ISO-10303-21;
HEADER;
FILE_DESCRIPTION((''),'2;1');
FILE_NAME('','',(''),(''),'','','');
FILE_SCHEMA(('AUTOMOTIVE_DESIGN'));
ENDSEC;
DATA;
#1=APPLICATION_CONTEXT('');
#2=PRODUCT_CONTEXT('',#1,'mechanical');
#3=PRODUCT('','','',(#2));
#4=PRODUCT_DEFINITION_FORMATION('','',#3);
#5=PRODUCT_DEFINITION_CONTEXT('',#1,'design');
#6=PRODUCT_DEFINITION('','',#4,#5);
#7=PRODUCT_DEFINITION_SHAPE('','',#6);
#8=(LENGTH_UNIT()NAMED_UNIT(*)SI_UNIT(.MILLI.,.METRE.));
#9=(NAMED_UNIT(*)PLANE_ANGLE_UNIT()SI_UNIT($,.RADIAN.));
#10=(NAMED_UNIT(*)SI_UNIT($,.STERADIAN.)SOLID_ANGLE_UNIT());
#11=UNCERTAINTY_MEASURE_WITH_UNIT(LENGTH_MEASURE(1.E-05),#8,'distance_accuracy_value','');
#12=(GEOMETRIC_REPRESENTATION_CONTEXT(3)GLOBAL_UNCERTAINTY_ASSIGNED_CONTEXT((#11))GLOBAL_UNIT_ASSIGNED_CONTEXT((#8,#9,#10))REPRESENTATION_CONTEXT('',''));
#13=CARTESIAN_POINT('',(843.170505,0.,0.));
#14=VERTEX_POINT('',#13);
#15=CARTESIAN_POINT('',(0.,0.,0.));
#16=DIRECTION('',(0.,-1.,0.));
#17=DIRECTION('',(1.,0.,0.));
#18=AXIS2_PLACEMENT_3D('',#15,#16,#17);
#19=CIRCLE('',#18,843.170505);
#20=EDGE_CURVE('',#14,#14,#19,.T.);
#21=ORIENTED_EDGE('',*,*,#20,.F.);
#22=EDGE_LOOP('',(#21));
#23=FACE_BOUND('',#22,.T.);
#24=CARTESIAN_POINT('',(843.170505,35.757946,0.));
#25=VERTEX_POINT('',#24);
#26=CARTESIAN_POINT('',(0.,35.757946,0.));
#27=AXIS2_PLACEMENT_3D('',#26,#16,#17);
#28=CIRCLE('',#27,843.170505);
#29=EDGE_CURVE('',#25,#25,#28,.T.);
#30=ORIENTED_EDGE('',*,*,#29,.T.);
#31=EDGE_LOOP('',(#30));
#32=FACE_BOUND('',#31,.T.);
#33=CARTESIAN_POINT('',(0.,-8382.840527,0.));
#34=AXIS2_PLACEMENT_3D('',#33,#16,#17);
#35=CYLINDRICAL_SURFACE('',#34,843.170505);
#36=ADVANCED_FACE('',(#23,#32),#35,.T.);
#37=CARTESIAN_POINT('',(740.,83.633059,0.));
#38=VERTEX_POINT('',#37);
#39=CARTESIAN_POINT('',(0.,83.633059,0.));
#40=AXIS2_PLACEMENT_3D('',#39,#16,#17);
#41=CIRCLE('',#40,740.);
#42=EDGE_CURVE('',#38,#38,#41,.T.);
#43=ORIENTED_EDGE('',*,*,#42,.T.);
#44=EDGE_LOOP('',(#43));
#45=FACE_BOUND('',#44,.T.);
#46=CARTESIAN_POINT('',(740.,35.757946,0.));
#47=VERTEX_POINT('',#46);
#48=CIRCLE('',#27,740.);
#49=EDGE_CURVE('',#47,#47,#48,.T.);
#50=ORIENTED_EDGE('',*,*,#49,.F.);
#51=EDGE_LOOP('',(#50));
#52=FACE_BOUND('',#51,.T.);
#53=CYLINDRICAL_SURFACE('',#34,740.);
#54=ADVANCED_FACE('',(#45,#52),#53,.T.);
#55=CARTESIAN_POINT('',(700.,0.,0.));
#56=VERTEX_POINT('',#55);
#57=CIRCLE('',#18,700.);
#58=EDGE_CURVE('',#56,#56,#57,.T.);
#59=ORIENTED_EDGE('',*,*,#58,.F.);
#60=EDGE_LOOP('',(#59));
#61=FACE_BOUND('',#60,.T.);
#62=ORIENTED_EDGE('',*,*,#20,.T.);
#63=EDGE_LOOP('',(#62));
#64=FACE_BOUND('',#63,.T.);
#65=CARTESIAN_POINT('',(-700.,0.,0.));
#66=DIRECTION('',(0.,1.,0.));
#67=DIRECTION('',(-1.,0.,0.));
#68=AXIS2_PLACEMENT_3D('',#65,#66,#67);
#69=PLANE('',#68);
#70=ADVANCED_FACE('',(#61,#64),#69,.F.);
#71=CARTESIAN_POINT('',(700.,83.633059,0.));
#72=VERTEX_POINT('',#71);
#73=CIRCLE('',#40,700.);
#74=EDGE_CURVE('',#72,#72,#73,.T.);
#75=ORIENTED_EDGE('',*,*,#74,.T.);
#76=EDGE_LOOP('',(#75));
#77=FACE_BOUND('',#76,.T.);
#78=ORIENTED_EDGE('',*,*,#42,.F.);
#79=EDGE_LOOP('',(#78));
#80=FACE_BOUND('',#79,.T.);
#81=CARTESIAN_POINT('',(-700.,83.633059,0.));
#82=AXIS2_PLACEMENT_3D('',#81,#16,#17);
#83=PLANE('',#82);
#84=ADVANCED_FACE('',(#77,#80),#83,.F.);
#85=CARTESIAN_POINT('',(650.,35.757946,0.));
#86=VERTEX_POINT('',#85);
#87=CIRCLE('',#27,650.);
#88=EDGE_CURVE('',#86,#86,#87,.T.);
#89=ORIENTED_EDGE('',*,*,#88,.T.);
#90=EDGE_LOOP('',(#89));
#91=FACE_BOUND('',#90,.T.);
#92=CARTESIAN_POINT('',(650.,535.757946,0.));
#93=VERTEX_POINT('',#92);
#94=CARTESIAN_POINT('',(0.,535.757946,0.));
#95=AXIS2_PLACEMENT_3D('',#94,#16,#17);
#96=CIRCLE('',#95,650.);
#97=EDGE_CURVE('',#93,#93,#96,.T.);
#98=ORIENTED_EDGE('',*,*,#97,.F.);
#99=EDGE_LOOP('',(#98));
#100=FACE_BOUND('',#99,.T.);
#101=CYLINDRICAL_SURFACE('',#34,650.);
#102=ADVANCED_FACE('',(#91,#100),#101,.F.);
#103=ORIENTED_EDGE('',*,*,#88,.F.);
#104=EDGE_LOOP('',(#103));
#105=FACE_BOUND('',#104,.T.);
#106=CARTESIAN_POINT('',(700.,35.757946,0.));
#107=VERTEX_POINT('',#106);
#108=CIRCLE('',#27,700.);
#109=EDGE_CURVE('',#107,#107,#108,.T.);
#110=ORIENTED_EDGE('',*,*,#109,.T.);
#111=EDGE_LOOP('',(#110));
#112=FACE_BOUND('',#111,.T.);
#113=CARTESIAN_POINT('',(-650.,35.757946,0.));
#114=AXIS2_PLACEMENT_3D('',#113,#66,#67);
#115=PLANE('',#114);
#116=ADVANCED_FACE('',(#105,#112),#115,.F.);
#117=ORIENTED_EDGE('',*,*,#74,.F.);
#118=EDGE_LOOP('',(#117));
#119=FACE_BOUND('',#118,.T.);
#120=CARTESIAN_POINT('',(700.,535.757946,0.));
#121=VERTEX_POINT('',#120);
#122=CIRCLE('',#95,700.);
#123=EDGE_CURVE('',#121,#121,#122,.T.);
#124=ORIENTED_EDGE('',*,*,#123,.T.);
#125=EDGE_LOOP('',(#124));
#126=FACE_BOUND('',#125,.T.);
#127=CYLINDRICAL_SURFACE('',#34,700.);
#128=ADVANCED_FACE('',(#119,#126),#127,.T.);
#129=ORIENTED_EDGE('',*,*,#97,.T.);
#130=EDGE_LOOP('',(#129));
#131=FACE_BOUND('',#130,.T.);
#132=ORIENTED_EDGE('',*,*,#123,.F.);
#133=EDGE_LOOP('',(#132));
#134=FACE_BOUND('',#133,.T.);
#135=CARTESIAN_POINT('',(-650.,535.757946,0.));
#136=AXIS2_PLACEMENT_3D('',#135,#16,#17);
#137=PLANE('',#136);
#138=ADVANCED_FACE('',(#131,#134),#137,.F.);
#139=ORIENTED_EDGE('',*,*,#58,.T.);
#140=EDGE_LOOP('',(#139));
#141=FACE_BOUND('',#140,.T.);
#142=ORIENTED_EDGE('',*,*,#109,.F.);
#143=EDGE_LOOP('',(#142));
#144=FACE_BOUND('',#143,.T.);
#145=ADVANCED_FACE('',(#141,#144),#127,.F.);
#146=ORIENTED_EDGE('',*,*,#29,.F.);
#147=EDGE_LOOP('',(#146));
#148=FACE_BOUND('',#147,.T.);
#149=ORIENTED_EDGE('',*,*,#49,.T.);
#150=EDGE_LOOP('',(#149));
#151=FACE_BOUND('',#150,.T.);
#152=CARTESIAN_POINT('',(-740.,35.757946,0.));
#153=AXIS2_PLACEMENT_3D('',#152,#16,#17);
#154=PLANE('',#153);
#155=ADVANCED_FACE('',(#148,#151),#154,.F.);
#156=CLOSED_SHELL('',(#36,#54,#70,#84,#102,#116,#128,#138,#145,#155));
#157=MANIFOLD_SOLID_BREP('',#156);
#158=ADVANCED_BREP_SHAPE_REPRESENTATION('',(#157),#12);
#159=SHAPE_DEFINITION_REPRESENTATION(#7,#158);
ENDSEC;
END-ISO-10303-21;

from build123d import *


with BuildPart() as part:
    # Sketch1 → Revolve1 (revolve)
    with BuildSketch(Plane.XY, mode=Mode.PRIVATE) as revolve1_sk:
        Polygon((-650, 535.75794621), (-650, 35.75794621), (-700, 35.75794621), (-700, 0), (-740, 0), (-843.170504669, 0), (-843.170504669, 35.75794621), (-740, 35.75794621), (-740, 83.63305874), (-700, 83.63305874), (-700, 535.75794621), align=None)
    revolve(revolve1_sk.sketch.rotate(Axis((0, -8382.840526503, 0), (0, 1, 0)), 180), axis=Axis((0, -8382.840526503, 0), (0, 1, 0)))


solid = part.part
